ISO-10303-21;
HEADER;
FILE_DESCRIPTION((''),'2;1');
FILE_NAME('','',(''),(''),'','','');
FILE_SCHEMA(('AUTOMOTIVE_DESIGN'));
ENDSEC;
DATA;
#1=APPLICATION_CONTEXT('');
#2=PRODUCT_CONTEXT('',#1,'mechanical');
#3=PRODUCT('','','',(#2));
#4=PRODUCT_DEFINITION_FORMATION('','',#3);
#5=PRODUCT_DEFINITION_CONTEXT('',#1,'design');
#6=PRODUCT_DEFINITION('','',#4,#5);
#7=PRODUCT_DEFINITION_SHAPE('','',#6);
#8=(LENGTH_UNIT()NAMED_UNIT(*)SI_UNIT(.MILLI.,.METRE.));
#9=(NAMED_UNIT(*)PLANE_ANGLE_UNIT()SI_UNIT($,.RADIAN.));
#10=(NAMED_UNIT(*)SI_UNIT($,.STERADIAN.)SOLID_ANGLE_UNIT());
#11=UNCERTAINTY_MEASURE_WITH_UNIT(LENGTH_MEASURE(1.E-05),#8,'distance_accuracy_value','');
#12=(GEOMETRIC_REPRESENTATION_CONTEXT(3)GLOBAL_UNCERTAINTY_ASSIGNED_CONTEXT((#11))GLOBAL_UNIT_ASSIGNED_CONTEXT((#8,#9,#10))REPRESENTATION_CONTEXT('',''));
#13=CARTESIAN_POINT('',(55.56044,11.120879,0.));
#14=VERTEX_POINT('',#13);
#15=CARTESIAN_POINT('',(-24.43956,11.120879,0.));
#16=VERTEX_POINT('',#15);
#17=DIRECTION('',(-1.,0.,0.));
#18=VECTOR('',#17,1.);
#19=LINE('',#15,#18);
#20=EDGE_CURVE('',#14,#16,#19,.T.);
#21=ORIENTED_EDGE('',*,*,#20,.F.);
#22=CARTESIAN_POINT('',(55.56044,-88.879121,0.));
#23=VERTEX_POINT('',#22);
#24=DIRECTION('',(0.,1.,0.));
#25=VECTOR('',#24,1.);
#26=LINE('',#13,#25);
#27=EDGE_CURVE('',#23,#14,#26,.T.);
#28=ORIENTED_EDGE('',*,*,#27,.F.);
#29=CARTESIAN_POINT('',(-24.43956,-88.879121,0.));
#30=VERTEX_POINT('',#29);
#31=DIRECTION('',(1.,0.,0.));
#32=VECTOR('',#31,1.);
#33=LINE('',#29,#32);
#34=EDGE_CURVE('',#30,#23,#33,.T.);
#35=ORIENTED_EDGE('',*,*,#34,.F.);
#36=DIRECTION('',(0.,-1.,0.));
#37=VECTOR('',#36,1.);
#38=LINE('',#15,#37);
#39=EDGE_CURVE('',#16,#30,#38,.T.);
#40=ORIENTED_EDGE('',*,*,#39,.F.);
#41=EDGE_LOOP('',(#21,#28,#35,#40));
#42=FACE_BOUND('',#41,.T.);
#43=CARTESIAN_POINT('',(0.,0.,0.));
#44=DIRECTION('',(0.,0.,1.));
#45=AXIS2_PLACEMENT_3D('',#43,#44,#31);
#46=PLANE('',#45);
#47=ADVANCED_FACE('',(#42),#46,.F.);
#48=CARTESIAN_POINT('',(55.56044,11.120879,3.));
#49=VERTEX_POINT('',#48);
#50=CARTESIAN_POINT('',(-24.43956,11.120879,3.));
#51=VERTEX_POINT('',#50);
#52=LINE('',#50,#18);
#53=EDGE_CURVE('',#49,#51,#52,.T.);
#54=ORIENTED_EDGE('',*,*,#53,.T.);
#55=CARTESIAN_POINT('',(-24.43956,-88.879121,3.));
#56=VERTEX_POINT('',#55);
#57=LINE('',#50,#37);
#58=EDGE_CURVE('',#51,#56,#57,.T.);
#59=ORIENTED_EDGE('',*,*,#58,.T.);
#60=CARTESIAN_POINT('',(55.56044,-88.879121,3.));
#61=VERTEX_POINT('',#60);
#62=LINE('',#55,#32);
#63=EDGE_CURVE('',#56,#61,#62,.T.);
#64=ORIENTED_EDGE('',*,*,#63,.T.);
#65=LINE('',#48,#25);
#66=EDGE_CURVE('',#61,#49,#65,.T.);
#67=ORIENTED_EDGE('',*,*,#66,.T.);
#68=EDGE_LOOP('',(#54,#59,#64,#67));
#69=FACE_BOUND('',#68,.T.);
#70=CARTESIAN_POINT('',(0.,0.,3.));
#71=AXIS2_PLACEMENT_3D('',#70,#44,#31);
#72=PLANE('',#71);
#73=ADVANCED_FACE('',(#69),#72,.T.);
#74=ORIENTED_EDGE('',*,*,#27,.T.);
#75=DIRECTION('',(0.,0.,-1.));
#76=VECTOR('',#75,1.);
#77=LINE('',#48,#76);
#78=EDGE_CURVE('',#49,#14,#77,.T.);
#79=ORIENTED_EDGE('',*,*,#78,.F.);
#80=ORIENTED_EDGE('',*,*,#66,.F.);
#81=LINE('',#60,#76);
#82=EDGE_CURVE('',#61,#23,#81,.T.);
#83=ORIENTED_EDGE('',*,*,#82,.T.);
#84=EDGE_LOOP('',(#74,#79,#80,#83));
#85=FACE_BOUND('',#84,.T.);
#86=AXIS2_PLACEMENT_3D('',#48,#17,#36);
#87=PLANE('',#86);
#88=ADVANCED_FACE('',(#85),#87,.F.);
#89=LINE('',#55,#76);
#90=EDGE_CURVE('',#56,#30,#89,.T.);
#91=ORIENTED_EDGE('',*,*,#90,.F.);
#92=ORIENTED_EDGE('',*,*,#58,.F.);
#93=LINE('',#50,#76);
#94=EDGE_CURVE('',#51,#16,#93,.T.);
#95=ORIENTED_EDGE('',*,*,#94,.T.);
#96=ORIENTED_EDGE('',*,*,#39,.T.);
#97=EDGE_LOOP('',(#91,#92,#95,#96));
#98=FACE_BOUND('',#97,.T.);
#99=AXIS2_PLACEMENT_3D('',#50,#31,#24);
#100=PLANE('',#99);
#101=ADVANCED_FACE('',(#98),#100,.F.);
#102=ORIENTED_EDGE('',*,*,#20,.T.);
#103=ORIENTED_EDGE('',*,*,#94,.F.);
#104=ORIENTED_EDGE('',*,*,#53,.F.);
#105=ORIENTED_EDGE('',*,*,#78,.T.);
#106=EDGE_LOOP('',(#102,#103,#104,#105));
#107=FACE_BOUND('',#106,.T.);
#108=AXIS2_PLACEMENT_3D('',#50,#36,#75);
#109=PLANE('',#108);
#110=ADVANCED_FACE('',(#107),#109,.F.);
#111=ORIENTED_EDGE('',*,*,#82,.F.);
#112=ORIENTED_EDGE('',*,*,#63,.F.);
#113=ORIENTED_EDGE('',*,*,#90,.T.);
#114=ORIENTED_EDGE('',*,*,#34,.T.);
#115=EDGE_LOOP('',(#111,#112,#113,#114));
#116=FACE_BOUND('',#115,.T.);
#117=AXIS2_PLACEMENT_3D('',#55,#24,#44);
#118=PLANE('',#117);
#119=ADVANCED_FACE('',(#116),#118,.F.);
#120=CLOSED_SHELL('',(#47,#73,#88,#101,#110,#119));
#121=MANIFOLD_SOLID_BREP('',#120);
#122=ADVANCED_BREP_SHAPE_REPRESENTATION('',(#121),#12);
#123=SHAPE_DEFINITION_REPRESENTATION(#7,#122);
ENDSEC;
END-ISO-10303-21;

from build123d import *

# Parameters (mm, degrees)
ESBO_O1_W                = 80
ESBO_O1_H                = 100
RESSALTO_EXTRUS_O1_DEPTH = 3


with BuildPart() as part:
    # Esboço1 → Ressalto-extrusão1 (new body)
    with BuildSketch(Plane.XY):
        with Locations((15.56043956, -38.879120879)):
            Rectangle(ESBO_O1_W, ESBO_O1_H)
    extrude(amount=RESSALTO_EXTRUS_O1_DEPTH)


solid = part.part
